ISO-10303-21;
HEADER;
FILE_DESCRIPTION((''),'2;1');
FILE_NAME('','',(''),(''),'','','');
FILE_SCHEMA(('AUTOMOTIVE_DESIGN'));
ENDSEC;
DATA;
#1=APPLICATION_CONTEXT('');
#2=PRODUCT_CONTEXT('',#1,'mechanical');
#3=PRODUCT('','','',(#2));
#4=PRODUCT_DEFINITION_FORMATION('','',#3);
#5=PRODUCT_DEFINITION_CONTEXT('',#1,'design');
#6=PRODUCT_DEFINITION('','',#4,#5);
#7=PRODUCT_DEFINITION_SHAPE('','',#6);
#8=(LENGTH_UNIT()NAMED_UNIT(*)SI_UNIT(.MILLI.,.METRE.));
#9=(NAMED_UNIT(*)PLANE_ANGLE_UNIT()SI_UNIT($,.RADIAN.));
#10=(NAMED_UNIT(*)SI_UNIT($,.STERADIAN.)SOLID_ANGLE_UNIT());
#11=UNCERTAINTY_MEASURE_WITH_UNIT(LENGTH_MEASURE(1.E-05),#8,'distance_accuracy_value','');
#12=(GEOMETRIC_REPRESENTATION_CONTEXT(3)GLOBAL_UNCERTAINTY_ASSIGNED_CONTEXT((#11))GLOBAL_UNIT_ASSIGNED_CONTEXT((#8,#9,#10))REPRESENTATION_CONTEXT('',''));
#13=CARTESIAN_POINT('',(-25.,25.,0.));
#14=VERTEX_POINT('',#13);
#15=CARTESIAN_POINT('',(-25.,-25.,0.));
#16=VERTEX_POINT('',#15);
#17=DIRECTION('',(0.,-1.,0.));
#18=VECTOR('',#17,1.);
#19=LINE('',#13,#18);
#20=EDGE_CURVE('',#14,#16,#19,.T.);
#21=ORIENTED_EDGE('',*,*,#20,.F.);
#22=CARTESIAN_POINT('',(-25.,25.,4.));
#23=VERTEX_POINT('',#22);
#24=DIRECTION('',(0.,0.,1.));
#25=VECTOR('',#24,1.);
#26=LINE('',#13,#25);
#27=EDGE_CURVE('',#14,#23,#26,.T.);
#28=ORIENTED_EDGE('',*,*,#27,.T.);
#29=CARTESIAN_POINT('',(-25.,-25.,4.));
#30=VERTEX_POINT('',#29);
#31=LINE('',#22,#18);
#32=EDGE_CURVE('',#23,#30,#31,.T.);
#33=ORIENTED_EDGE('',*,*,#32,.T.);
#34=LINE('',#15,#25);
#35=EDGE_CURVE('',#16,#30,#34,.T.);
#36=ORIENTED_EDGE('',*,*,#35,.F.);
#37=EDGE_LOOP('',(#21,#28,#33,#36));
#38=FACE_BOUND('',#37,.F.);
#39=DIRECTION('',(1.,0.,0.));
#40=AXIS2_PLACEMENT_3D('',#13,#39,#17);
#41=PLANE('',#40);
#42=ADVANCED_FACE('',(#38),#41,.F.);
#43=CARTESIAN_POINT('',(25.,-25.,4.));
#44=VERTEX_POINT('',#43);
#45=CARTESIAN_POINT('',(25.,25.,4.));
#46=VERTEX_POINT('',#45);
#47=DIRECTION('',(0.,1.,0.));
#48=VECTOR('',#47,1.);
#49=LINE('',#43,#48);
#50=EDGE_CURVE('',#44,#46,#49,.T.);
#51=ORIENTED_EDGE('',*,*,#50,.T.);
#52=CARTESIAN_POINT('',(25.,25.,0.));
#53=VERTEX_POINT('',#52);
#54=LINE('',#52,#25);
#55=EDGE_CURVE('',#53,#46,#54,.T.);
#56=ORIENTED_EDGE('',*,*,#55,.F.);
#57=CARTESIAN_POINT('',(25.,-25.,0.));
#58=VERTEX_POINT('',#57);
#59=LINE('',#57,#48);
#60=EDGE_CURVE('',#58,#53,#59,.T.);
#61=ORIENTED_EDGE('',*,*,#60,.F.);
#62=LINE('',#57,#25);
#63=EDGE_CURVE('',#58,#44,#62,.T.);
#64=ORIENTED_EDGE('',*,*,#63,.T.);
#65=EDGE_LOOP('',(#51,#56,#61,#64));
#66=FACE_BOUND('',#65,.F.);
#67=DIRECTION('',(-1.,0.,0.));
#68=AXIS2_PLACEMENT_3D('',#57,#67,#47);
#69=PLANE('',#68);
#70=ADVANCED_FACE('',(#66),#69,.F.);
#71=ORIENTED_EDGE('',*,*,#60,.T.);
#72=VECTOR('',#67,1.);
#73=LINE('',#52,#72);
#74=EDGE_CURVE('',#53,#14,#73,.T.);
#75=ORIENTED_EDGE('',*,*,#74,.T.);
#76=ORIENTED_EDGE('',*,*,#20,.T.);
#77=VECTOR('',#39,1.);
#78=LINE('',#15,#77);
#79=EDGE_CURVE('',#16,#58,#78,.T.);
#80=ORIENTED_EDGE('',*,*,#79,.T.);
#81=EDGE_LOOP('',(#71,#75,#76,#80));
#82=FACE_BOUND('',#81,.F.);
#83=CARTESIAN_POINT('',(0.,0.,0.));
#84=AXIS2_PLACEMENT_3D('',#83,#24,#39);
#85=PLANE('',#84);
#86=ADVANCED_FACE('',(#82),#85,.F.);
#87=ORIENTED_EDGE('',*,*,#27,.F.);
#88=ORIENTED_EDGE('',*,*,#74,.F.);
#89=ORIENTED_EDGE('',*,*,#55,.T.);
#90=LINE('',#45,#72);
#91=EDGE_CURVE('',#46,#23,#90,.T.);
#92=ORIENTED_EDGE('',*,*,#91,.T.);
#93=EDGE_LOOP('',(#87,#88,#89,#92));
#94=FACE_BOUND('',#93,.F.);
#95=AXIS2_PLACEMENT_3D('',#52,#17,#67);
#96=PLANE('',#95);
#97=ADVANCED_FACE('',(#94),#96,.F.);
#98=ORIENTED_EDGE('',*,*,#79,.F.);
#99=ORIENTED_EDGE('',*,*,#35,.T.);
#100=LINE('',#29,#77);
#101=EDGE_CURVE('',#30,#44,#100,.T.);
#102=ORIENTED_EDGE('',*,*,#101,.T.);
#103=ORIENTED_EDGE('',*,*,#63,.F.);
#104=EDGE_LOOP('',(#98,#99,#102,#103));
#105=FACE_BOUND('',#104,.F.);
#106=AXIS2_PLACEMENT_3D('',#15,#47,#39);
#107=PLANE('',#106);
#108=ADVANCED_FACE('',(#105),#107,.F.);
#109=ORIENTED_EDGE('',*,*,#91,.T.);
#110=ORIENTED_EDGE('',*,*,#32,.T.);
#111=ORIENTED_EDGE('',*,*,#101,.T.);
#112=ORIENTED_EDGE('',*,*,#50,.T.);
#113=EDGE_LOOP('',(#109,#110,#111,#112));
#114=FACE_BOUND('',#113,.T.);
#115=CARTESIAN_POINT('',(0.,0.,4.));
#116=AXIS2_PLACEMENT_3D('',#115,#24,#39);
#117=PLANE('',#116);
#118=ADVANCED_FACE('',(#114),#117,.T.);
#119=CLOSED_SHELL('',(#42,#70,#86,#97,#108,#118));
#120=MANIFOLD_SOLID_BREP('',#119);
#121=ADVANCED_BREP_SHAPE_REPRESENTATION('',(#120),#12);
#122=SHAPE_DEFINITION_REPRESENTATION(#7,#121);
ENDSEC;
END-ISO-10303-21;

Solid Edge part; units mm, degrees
sketch "Sketch1" plane through (0, 0, 0) normal (0, 0, 1) x (1, 0, 0)
  line L0 (25, -25) -> (25, 25)
  line L1 (25, 25) -> (-25, 25)
  line L2 (-25, 25) -> (-25, -25)
  line L3 (-25, -25) -> (25, -25)
extrude "ExtrudedProtrusion_1" add sketch "Sketch1" along normal blind 4
